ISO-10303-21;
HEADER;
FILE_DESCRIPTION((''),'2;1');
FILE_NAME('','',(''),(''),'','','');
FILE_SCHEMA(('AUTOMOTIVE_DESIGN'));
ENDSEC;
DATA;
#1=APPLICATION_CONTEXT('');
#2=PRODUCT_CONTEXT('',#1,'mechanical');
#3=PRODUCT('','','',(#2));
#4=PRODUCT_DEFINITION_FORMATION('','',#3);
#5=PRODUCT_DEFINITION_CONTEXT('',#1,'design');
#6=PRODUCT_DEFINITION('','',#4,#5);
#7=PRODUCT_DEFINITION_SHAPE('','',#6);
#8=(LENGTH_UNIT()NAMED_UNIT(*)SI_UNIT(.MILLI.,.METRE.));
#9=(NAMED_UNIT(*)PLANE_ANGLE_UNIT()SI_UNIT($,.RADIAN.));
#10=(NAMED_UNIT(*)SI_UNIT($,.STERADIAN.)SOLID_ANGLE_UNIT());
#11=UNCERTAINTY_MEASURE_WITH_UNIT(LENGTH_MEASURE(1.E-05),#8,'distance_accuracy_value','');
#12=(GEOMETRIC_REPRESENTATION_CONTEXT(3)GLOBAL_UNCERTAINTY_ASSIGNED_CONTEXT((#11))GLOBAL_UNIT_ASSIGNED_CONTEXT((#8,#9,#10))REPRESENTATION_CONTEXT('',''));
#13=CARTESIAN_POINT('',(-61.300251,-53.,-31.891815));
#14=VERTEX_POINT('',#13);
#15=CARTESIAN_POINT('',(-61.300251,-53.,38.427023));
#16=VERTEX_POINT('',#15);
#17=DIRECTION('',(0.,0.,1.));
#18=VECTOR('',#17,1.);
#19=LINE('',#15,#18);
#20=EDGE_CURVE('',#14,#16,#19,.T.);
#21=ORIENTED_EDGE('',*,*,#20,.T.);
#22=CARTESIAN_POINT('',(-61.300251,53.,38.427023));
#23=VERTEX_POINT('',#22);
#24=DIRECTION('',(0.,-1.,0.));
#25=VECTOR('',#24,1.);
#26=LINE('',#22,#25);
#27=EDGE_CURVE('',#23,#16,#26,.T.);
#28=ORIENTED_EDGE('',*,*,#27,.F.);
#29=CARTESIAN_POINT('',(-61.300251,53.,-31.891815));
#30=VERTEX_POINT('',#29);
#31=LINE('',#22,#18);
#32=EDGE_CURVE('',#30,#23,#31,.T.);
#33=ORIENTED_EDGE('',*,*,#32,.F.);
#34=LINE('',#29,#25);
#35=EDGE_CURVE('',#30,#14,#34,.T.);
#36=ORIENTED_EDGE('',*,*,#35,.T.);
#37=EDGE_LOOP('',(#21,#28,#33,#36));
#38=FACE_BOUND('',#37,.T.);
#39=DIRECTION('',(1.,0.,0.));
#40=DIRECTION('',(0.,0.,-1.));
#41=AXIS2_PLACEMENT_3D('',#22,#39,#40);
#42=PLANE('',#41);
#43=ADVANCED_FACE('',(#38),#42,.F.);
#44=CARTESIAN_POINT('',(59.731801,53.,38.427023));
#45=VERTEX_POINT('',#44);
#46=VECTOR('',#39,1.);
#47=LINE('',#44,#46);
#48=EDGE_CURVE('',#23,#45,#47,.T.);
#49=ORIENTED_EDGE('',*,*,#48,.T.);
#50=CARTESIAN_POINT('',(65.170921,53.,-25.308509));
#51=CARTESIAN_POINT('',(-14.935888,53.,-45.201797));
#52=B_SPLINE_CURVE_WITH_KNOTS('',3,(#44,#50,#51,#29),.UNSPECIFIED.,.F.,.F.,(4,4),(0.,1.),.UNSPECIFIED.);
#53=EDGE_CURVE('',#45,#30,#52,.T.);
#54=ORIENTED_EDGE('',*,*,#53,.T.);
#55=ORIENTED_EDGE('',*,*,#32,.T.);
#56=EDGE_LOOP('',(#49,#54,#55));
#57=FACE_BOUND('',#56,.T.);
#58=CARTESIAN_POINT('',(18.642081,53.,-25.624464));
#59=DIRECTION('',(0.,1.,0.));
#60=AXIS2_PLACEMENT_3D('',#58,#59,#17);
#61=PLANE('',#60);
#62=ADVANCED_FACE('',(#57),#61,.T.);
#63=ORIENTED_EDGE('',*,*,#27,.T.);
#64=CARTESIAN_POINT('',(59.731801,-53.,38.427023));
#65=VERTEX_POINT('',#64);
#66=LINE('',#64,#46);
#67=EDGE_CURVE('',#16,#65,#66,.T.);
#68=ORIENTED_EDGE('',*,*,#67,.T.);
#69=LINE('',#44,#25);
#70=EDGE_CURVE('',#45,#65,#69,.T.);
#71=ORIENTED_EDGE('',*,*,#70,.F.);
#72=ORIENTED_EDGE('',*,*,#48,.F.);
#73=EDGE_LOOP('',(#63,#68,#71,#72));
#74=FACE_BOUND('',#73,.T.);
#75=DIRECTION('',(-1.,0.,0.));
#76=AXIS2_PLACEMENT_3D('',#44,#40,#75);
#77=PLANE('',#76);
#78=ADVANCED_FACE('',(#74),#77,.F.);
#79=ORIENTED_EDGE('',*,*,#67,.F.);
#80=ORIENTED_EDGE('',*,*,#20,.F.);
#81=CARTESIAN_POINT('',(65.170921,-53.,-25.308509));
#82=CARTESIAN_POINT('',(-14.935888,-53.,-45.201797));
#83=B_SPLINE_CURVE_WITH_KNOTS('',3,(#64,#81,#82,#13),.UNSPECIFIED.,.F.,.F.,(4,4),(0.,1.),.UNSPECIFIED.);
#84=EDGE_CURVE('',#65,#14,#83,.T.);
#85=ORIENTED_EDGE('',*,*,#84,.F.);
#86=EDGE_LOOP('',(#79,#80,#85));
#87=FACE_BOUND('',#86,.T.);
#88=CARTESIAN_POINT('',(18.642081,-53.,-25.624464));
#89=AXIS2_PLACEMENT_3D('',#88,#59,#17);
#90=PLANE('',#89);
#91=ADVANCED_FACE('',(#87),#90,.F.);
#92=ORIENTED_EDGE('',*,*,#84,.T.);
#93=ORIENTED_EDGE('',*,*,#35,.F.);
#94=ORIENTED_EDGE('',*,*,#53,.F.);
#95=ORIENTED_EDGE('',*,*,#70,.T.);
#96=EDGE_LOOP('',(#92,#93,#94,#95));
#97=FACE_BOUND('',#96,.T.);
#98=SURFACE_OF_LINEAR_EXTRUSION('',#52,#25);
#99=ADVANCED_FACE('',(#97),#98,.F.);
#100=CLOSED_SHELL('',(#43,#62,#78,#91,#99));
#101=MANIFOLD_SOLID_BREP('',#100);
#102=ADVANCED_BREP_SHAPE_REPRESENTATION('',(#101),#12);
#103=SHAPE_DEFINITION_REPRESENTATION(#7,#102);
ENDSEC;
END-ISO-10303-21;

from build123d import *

# Parameters (mm, degrees)
EXTRUDE_1_DEPTH = 53


with BuildPart() as part:
    # 草图1 → 凸台-拉伸1 (new, symmetric)
    with BuildSketch(Plane(origin=(0, 0, 0), x_dir=(1, 0, 0), z_dir=(0, 1, 0))):
        with BuildLine():
            Line((59.731801374, -38.427023203), (-61.3002513, -38.427023203))
            Line((-61.3002513, -38.427023203), (-61.3002513, 31.891815175))
            add(Edge.make_bspline(
                [(-61.3002513, 31.891815175), (-14.935887617, 45.201796535), (65.170920947, 25.308509373), (59.731801374, -38.427023203)],
                knots=[0, 0, 0, 0, 1, 1, 1, 1], degree=3))
        make_face()
    extrude(amount=EXTRUDE_1_DEPTH, both=True)


solid = part.part
